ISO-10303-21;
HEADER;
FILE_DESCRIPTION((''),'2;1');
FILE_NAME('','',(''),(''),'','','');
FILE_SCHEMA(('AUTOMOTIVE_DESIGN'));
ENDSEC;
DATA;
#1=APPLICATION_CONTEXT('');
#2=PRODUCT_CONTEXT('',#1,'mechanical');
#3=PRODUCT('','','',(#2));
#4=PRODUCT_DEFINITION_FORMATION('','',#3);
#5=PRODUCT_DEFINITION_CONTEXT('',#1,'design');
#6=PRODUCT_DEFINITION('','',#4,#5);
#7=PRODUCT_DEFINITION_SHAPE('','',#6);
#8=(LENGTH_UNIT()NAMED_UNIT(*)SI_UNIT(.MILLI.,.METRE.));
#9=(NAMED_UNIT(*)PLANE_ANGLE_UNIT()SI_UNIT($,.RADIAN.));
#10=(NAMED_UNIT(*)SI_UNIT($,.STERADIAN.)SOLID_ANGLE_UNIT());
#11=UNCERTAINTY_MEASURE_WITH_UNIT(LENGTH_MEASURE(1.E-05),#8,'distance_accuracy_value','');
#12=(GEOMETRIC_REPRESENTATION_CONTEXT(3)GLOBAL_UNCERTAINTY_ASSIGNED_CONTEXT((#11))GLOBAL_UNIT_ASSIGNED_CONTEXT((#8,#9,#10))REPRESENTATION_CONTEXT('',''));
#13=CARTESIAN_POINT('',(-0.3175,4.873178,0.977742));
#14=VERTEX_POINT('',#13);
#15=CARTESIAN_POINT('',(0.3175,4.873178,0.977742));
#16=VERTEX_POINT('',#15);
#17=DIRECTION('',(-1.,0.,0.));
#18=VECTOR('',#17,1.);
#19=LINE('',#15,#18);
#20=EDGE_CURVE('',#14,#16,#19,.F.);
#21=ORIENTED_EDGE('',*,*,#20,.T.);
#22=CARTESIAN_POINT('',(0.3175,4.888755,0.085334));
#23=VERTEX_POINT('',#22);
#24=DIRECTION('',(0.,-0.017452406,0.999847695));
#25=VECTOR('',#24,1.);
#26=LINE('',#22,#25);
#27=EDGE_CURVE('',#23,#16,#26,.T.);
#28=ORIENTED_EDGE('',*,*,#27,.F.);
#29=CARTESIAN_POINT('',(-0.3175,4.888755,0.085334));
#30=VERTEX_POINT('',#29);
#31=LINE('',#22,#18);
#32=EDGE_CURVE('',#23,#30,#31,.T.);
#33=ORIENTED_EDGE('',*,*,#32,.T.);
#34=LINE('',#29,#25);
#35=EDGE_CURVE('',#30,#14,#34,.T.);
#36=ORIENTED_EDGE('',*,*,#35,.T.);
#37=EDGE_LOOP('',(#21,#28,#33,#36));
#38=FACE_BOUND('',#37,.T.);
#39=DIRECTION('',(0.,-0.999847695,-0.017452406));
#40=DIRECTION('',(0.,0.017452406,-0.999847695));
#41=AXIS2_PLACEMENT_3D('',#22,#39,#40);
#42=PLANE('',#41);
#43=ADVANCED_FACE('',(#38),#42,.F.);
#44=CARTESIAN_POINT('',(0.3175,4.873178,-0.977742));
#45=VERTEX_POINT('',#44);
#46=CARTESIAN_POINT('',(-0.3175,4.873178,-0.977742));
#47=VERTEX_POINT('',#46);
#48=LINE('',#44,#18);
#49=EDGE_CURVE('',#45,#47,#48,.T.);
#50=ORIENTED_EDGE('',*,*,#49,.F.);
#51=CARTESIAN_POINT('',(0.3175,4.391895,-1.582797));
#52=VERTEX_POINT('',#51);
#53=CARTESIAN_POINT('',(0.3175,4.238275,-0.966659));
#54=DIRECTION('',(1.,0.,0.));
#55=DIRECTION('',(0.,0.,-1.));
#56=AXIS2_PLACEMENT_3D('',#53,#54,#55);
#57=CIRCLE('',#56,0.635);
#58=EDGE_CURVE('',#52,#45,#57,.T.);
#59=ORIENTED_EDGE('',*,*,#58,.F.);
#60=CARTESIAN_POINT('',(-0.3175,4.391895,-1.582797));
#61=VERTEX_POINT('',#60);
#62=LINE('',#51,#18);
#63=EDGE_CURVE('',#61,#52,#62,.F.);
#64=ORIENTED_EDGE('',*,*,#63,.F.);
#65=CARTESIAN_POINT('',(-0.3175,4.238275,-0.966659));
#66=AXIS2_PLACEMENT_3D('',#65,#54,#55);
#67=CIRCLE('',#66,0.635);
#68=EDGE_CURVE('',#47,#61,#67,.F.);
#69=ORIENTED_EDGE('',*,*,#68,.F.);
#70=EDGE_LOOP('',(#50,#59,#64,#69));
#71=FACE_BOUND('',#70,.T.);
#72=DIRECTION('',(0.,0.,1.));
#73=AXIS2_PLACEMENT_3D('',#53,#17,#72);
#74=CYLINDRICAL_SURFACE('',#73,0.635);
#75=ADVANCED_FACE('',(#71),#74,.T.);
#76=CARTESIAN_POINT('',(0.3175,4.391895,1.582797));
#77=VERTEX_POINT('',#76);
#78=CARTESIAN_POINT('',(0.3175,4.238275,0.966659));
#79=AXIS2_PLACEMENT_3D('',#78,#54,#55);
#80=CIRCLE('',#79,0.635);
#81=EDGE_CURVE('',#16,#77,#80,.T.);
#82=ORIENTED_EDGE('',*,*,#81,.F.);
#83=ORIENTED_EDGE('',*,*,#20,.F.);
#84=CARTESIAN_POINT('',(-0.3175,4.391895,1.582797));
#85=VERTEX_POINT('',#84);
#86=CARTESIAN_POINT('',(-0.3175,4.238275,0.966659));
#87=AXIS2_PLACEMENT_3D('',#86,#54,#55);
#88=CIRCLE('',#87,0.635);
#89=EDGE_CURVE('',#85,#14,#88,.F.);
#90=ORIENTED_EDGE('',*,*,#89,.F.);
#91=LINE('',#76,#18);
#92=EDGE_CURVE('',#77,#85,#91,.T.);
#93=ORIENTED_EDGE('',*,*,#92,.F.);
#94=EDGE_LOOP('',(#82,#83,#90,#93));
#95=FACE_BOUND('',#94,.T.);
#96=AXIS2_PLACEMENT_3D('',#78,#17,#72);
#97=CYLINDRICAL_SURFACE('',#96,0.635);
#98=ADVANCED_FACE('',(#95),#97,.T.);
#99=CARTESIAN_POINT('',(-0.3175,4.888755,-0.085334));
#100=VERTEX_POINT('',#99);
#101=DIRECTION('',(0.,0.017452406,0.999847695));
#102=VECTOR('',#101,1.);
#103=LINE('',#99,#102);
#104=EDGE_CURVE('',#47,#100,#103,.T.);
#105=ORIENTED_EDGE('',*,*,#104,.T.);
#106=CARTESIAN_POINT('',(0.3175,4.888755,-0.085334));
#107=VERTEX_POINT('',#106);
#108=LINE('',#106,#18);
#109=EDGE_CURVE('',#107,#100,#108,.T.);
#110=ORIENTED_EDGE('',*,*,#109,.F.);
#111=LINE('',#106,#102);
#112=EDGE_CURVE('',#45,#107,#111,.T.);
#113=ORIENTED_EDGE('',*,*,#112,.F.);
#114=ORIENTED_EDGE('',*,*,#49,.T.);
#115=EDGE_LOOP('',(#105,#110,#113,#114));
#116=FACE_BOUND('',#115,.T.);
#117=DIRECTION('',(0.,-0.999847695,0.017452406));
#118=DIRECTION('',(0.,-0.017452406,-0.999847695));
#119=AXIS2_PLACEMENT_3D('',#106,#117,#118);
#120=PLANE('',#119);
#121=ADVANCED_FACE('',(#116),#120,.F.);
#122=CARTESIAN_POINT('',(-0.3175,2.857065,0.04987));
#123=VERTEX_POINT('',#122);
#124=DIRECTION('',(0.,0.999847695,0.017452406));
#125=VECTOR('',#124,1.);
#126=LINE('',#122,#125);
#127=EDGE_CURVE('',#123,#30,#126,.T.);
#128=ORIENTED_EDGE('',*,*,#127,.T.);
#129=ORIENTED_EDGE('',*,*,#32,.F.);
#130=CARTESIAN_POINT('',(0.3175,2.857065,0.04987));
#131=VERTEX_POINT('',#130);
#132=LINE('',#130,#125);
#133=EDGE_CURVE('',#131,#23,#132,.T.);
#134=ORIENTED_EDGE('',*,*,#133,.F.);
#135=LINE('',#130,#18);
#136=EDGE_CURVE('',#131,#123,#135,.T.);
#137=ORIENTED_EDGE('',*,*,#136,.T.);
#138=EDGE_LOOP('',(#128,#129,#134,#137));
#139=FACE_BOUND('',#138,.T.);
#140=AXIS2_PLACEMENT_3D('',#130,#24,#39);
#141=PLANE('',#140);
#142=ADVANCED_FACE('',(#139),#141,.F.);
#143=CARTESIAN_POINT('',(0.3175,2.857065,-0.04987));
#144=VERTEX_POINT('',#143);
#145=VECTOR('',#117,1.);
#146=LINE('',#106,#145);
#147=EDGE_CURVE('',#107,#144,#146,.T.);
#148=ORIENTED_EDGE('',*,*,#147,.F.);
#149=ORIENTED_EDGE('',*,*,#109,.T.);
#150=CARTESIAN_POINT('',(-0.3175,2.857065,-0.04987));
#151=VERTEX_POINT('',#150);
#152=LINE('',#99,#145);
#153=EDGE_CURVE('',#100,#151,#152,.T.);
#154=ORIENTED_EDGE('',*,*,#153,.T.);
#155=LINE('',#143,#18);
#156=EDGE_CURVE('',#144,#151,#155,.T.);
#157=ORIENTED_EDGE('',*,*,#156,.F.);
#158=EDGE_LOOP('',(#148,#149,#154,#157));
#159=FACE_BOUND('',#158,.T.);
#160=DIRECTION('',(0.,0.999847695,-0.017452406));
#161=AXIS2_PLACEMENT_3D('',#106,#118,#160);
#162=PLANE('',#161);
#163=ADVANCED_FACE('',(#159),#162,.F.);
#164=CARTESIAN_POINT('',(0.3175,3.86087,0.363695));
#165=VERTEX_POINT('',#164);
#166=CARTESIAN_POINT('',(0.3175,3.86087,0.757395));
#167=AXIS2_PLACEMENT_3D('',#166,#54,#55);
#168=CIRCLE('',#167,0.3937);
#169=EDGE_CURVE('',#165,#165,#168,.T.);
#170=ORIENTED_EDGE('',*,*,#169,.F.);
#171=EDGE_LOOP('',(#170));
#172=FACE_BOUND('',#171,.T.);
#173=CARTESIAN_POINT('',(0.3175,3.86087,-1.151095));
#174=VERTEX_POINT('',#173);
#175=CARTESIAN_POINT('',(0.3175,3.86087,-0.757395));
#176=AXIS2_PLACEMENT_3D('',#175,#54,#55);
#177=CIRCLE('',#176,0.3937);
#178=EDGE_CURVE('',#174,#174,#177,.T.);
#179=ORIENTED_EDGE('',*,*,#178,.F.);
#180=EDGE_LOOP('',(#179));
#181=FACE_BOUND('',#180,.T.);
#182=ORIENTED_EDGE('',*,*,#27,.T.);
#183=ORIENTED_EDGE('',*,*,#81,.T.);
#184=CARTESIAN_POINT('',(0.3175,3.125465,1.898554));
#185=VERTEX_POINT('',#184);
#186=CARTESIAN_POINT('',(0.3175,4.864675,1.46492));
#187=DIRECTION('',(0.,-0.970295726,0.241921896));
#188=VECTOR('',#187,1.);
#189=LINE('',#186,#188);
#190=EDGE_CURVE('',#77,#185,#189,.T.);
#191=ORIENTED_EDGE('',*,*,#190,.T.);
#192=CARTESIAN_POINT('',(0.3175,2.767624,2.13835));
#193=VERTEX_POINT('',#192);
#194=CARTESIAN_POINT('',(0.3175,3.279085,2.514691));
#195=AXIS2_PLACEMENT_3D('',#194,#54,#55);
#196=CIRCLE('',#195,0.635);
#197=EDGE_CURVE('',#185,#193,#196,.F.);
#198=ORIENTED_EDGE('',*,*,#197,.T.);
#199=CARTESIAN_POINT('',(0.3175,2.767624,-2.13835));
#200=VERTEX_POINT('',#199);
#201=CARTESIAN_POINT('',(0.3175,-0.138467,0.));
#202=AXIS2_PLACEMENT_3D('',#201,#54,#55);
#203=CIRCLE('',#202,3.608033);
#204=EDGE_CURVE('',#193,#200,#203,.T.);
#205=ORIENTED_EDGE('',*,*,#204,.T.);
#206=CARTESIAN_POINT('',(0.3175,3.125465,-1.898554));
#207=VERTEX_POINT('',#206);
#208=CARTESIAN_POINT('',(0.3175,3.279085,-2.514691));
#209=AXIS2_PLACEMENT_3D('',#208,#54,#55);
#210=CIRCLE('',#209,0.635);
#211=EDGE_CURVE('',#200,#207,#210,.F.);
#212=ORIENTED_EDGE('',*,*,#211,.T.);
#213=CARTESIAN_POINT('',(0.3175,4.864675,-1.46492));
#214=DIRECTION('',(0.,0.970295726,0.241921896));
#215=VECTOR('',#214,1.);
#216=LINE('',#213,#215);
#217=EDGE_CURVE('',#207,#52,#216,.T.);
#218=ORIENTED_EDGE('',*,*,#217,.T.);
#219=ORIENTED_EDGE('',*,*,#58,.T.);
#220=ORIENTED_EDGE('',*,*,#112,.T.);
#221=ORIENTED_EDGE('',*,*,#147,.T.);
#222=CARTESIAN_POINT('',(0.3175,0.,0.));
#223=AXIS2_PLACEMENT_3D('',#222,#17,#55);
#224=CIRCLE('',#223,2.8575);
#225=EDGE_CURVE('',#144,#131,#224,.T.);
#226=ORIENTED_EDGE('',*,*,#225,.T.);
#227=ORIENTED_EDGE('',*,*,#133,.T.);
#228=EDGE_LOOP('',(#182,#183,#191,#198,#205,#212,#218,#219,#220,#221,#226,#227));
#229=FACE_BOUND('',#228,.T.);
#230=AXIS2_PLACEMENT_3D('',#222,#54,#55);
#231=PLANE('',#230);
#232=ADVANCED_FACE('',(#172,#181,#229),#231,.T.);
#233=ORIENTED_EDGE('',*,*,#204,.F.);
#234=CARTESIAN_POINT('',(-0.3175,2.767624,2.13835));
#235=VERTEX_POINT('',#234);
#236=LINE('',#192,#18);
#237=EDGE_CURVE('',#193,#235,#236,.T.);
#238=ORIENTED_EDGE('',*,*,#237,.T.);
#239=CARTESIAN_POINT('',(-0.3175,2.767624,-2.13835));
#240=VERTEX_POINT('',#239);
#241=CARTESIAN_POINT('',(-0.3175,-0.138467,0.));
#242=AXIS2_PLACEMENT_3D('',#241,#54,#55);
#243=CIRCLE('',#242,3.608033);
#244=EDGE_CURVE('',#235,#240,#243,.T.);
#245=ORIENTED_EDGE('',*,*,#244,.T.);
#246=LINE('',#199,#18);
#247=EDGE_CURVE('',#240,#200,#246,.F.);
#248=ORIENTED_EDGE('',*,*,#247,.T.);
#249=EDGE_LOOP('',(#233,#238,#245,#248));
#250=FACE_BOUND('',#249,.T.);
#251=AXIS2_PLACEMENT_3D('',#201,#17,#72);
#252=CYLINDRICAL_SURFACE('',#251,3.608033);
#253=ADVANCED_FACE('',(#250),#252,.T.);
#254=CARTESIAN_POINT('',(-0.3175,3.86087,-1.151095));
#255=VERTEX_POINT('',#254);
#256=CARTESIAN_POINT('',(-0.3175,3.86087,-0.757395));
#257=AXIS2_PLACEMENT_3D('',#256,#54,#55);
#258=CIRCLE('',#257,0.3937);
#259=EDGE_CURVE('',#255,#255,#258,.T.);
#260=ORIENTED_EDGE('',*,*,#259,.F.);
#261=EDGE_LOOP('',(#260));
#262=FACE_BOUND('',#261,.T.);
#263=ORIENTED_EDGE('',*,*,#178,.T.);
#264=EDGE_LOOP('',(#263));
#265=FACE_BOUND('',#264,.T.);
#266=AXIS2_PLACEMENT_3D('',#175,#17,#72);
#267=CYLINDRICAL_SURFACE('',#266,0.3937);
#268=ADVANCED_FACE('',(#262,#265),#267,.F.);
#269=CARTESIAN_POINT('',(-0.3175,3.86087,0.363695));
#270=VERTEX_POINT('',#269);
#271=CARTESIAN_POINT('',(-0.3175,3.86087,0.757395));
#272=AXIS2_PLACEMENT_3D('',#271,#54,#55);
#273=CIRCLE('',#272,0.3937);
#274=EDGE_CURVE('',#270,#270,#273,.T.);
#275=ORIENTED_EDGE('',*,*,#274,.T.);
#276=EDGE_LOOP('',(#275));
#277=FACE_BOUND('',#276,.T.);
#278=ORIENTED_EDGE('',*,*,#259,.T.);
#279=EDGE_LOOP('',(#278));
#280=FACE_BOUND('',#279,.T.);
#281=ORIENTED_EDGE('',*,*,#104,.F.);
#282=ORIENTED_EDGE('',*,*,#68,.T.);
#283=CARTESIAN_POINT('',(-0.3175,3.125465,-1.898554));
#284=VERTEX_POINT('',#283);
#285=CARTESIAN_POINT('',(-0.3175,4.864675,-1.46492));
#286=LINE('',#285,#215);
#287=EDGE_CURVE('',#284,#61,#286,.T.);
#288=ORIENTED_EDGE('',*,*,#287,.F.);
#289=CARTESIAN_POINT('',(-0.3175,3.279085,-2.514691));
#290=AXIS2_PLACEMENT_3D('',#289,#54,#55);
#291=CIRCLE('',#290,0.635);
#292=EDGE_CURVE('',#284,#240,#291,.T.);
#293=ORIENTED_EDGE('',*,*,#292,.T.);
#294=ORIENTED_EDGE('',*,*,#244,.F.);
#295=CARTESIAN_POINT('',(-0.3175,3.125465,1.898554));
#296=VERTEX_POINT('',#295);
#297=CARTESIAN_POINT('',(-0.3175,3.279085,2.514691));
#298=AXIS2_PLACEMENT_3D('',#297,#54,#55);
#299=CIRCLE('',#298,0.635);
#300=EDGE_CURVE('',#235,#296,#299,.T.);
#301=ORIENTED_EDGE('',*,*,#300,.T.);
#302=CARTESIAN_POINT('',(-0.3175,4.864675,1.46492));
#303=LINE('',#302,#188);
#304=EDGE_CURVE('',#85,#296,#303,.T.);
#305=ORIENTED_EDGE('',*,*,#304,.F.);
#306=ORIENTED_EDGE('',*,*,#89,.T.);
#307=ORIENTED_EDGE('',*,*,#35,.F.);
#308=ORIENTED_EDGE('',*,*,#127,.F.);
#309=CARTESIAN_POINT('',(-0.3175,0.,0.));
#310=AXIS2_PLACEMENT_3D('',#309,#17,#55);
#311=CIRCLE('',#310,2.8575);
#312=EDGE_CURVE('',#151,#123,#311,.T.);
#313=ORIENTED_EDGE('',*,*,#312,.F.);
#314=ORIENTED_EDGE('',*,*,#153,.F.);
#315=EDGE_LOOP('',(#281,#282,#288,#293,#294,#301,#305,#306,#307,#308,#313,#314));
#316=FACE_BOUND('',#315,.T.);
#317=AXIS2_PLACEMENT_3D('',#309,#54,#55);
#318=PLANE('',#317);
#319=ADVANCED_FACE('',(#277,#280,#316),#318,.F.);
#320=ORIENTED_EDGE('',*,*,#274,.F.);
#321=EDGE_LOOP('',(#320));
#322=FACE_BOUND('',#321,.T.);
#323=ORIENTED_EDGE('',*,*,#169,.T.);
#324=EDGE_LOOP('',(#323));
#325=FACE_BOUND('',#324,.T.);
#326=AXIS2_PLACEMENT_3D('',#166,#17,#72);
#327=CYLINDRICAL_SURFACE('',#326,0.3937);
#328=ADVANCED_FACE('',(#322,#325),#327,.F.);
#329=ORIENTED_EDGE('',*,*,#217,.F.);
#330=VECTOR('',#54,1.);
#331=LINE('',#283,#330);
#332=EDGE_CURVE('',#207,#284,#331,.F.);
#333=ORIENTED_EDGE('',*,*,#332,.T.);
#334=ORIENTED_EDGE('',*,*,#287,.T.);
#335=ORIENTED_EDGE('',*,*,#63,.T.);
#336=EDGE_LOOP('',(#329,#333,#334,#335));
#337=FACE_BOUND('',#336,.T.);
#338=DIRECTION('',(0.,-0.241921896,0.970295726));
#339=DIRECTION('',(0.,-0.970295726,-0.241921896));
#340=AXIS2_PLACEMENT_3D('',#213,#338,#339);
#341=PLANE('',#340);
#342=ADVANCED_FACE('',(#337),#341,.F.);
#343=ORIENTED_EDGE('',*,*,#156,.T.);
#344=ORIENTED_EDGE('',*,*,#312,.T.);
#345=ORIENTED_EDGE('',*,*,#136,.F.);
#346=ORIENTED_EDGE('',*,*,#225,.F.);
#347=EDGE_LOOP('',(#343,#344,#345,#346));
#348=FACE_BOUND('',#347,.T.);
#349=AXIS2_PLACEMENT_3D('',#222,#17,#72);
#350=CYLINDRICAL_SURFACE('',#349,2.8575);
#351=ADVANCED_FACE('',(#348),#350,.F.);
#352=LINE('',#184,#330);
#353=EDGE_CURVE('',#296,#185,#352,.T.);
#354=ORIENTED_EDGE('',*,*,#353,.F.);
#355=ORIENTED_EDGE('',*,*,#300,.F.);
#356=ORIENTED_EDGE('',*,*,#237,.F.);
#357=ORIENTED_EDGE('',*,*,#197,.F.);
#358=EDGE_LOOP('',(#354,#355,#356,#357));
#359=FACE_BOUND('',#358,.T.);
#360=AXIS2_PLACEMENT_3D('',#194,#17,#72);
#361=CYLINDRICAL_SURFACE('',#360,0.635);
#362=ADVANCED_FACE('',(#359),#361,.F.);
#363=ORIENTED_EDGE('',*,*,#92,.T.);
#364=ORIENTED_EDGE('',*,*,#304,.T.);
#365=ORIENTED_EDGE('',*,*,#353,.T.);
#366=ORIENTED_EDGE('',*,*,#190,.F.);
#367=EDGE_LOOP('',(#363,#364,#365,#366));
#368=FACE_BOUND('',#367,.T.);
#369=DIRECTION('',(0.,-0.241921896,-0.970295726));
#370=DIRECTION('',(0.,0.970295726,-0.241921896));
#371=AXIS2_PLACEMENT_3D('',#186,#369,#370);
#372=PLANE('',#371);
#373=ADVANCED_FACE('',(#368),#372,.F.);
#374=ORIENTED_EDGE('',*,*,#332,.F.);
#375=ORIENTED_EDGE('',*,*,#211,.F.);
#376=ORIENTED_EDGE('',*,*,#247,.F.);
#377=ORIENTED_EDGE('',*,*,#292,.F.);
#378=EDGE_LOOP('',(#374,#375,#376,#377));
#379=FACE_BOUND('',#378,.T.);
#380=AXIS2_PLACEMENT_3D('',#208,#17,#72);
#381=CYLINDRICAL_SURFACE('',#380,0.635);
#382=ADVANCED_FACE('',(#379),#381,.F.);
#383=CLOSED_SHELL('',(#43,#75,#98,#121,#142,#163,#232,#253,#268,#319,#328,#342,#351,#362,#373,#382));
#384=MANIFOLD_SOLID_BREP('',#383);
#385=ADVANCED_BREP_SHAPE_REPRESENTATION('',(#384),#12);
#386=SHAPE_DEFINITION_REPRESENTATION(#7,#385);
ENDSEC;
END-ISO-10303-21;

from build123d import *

# Parameters (mm, degrees)
SKETCH1_R      = 0.3937
EXTRUDE1_DEPTH = 0.3175
FILLET1_R      = 0.635


with BuildPart() as part:
    # Sketch1 → Extrude1 (new, symmetric)
    with BuildSketch(Plane(origin=(0, 0, 0), x_dir=(0, 0, -1), z_dir=(1, 0, 0))):
        with BuildLine():
            Line((-0.049870251, 2.857064789), (-0.085333541, 4.888755305))
            Line((-0.085333541, 4.888755305), (-1.464919941, 4.864674535))
            Line((-1.464919941, 4.864674535), (-1.956505233, 2.893033619))
            ThreePointArc((-1.956505233, 2.893033619), (0, -3.7465), (1.956505233, 2.893033619))
            Line((1.956505233, 2.893033619), (1.464919941, 4.864674535))
            Line((1.464919941, 4.864674535), (0.085333541, 4.888755305))
            Line((0.085333541, 4.888755305), (0.049870251, 2.857064789))
            ThreePointArc((0.049870251, 2.857064789), (0, -2.8575), (-0.049870251, 2.857064789))
        make_face()
        with Locations((-0.757395096, 3.860869662)):
            Circle(SKETCH1_R, mode=Mode.SUBTRACT)
        with Locations((0.757395096, 3.860869662)):
            Circle(SKETCH1_R, mode=Mode.SUBTRACT)
    extrude(amount=EXTRUDE1_DEPTH, both=True)

    # Fillet1
    fillet1_edges = [part.edges().sort_by_distance(p)[0] for p in [
        (0, 4.864674535, -1.464919941),
        (0, 2.893033619, -1.956505233),
        (0, 2.893033619, 1.956505233),
        (0, 4.864674535, 1.464919941),
    ]]
    fillet(fillet1_edges, radius=FILLET1_R)


solid = part.part
